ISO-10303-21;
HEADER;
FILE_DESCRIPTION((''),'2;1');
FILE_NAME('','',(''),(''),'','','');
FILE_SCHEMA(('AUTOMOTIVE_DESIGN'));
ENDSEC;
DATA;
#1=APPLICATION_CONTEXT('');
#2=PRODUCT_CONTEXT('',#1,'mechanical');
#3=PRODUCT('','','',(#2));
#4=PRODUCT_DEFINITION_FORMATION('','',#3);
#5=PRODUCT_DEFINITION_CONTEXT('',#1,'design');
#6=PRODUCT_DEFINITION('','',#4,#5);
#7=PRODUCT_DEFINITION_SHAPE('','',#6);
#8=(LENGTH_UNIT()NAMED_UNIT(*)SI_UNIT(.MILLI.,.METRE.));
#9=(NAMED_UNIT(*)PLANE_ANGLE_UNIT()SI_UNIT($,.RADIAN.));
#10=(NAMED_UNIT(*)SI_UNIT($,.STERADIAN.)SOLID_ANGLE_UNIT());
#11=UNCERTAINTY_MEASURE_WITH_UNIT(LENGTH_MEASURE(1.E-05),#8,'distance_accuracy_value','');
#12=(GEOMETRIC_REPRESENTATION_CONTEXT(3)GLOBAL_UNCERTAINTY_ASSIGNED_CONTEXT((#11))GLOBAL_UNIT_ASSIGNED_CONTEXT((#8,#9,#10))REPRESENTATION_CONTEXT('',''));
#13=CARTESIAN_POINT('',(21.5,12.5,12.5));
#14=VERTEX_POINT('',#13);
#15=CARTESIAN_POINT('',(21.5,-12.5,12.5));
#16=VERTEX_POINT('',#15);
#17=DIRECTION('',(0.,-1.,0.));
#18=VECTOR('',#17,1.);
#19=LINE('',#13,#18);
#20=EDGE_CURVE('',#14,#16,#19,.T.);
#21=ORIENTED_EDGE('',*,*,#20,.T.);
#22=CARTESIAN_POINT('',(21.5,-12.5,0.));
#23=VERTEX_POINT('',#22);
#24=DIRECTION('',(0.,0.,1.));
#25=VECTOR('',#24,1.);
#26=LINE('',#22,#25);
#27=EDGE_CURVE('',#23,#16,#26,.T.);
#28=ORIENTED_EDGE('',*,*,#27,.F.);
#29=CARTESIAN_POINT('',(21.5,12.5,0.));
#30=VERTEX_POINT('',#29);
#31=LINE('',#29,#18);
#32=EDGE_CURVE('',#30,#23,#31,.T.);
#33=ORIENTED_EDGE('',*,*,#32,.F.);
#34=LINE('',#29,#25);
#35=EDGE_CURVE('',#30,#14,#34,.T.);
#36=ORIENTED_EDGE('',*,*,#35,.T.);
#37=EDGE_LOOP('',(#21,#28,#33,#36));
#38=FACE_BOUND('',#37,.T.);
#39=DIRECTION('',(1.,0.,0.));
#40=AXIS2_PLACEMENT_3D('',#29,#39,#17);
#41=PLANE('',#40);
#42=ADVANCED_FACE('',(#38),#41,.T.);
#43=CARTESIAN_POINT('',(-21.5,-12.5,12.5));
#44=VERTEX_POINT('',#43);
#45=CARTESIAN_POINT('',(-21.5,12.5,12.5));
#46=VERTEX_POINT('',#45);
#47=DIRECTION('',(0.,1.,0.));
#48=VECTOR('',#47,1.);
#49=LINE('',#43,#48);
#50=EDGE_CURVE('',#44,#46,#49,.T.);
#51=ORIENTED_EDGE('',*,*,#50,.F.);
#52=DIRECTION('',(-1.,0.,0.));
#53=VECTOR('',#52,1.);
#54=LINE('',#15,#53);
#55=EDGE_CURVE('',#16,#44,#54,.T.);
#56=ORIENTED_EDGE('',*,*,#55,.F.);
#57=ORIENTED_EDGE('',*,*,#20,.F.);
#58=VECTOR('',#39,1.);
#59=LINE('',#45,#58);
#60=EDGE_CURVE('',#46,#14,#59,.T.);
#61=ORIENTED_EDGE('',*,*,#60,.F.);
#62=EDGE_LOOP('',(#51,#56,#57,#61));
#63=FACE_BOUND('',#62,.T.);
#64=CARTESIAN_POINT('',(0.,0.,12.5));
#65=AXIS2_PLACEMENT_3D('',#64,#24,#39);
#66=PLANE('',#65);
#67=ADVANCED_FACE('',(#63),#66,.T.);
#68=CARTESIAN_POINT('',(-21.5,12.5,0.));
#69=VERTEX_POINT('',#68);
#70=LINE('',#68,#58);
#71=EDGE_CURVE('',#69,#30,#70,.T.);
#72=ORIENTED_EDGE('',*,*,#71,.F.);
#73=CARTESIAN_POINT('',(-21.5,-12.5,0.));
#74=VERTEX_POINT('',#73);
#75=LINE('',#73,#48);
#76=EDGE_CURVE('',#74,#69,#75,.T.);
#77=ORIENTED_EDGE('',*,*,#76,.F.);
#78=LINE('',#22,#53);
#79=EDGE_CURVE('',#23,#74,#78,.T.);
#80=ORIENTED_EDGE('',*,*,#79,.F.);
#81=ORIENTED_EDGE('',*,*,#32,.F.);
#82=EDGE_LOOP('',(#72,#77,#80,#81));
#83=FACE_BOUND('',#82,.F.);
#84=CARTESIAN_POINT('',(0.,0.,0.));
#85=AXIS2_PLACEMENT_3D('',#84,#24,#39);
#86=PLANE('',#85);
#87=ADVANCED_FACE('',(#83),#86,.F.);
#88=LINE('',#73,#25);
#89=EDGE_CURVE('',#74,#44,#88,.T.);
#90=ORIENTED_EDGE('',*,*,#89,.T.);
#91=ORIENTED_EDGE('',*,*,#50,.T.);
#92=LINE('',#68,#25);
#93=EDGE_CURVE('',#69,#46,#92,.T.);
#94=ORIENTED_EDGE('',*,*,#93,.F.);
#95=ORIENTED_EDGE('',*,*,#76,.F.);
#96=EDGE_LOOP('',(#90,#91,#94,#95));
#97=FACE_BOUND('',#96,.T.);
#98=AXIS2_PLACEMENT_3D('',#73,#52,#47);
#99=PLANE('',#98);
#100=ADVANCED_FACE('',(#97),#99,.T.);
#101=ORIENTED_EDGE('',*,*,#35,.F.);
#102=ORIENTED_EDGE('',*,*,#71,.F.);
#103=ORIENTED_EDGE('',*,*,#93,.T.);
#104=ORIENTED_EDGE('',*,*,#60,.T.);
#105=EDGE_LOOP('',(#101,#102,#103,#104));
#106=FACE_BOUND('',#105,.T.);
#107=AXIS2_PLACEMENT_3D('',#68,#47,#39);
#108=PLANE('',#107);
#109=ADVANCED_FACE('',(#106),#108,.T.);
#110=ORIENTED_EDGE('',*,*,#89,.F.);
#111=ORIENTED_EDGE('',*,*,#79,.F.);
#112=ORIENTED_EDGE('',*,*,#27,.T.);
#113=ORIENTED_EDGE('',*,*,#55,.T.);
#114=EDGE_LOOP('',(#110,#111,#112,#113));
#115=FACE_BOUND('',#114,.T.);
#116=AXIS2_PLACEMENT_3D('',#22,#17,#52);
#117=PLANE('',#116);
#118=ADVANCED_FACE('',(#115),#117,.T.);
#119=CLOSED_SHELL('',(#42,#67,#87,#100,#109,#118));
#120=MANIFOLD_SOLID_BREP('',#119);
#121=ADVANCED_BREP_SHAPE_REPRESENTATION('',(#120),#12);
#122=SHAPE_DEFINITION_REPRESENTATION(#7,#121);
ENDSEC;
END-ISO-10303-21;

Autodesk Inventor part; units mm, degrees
ref_plane "YZ Plane" through (0, 0, 0) normal (1, 0, 0) x (0, 1, 0)
ref_plane "XY Plane" through (0, 0, 0) normal (0, 0, 1) x (1, 0, 0)
sketch "Sketch1" plane through (0, 0, 0) normal (0, 0, 1) x (1, 0, 0)
  line L0 (-21.5, 12.5) -> (21.5, 12.5)
  line L1 (21.5, 12.5) -> (21.5, -12.5)
  line L2 (21.5, -12.5) -> (-21.5, -12.5)
  line L3 (-21.5, -12.5) -> (-21.5, 12.5)
  line L4 (-21.5, 12.5) -> (21.5, -12.5) construction
  line L5 (21.5, 12.5) -> (-21.5, -12.5) construction
  point P0 (0, 0)
  dimension "d0" = 43
  dimension "d1" = 25
extrude "Extrusion1" add sketch "Sketch1" along normal blind 12.5
properties part number "Receiver"
